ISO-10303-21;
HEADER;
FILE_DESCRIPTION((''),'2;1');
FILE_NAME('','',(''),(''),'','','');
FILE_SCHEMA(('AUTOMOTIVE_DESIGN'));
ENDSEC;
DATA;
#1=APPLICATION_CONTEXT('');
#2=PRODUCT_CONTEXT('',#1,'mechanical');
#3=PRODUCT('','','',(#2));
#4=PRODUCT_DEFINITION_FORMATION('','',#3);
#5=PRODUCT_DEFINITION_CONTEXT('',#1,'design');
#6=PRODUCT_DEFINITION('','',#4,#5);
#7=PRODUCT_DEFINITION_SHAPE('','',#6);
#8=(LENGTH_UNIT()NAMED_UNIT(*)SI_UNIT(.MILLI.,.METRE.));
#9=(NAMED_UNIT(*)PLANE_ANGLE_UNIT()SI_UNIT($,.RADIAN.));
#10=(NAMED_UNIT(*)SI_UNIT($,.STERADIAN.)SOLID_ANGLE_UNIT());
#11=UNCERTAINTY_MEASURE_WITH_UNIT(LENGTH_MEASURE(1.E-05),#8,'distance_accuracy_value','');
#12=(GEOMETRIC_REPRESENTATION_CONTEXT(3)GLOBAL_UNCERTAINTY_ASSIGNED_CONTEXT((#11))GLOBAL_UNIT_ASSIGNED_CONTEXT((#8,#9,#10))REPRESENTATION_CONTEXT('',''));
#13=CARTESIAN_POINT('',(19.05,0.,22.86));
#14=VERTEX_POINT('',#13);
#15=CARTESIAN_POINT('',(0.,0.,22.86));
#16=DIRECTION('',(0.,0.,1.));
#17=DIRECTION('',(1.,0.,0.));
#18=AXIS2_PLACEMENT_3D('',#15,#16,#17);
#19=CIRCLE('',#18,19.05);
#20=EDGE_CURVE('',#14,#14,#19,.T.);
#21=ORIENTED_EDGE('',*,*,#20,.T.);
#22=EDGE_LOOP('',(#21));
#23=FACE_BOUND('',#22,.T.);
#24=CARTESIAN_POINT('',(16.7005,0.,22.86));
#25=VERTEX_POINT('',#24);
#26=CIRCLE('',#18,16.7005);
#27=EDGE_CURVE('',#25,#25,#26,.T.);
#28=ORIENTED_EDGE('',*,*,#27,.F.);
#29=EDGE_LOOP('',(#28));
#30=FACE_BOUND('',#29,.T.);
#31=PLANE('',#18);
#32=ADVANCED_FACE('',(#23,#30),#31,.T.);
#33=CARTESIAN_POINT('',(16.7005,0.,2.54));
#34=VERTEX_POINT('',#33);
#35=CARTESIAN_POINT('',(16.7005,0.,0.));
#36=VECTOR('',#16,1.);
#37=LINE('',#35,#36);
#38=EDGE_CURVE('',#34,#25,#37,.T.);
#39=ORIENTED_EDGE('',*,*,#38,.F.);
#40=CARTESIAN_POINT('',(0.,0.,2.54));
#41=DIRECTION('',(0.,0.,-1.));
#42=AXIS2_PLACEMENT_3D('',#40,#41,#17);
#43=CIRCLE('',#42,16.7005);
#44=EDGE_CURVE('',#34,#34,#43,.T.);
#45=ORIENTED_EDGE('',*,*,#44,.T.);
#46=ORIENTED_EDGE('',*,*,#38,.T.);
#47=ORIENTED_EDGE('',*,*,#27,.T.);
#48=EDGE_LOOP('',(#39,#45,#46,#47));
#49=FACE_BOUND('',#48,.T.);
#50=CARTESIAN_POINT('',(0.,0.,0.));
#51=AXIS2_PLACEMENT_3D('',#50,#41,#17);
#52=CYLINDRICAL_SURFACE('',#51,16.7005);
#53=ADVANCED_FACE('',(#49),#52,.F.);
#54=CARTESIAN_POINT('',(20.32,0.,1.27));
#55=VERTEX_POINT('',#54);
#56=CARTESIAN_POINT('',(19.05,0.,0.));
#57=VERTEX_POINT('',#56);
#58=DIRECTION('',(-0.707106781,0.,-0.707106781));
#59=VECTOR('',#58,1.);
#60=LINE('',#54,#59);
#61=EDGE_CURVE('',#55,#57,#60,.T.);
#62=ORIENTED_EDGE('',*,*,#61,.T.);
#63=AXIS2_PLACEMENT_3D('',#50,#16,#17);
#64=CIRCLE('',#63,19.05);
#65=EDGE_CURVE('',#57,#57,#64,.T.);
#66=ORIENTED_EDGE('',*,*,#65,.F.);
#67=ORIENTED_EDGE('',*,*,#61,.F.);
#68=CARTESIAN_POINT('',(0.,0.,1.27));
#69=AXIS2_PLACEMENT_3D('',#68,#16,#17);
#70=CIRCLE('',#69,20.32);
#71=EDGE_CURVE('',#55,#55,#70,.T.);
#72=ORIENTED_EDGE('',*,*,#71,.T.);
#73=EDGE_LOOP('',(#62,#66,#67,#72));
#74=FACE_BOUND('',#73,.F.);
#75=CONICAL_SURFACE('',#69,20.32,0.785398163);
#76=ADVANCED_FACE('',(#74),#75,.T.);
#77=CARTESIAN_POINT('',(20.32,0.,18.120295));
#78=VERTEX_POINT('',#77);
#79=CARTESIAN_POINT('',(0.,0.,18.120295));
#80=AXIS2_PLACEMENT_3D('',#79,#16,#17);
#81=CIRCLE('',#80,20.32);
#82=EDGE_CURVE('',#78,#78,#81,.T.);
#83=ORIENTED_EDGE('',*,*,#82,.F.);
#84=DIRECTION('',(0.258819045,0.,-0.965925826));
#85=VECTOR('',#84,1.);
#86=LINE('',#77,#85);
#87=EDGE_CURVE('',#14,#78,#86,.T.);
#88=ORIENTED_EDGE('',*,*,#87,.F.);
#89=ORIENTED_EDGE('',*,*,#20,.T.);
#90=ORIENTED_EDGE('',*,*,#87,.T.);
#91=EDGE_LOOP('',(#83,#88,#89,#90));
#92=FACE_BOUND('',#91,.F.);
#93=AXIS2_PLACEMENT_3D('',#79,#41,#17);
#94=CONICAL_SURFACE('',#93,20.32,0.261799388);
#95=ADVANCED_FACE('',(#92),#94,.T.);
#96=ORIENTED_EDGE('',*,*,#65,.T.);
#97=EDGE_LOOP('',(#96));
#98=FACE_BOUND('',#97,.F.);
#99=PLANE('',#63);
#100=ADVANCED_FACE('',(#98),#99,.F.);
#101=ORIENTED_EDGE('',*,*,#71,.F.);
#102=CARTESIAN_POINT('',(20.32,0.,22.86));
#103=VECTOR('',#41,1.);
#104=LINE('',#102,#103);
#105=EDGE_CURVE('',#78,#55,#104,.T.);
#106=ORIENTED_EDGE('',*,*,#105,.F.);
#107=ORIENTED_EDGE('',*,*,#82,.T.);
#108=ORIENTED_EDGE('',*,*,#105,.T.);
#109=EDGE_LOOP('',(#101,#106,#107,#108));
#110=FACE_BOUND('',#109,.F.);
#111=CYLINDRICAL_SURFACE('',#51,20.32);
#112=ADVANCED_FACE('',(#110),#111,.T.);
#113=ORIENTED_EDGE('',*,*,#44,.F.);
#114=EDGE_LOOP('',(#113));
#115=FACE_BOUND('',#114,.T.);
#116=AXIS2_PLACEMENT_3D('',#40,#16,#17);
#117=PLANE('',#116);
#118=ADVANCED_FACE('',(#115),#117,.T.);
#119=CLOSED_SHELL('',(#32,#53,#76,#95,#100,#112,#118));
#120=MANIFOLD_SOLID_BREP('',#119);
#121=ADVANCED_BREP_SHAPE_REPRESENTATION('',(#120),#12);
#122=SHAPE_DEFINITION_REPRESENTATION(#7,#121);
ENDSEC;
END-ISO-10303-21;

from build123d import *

# Parameters (mm, degrees)
F0_R     = 20.32
F0_R_2   = 16.7005
F1_DEPTH = 22.86
F2_DEPTH = 2.54
F3_SIZE2 = 4.7397045256
F3_SIZE  = 1.27
F4_SIZE  = 1.27


with BuildPart() as f1:
    # F0 (on Top) → F1 (new body)
    with BuildSketch(Plane.XY):
        Circle(F0_R)
        Circle(F0_R_2, mode=Mode.SUBTRACT)
    extrude(amount=F1_DEPTH)

    # F0 (on Top) → F2 (join)
    with BuildSketch(Plane.XY):
        Circle(F0_R)
        Circle(F0_R_2, mode=Mode.SUBTRACT)
        Circle(F0_R_2)
    extrude(amount=F2_DEPTH)

    # F3
    f3_edges = [f1.edges().sort_by_distance(p)[0] for p in [
        (-20.32, 0, 22.86),
    ]]
    f3_side = f1.faces().sort_by_distance((-19.745264, 0, 22.86))[0]
    chamfer(f3_edges, length=F3_SIZE, length2=F3_SIZE2, reference=f3_side)

    # F4
    f4_edges = [f1.edges().sort_by_distance(p)[0] for p in [
        (-20.32, 0, 0),
    ]]
    chamfer(f4_edges, length=F4_SIZE)


solid = f1.part
